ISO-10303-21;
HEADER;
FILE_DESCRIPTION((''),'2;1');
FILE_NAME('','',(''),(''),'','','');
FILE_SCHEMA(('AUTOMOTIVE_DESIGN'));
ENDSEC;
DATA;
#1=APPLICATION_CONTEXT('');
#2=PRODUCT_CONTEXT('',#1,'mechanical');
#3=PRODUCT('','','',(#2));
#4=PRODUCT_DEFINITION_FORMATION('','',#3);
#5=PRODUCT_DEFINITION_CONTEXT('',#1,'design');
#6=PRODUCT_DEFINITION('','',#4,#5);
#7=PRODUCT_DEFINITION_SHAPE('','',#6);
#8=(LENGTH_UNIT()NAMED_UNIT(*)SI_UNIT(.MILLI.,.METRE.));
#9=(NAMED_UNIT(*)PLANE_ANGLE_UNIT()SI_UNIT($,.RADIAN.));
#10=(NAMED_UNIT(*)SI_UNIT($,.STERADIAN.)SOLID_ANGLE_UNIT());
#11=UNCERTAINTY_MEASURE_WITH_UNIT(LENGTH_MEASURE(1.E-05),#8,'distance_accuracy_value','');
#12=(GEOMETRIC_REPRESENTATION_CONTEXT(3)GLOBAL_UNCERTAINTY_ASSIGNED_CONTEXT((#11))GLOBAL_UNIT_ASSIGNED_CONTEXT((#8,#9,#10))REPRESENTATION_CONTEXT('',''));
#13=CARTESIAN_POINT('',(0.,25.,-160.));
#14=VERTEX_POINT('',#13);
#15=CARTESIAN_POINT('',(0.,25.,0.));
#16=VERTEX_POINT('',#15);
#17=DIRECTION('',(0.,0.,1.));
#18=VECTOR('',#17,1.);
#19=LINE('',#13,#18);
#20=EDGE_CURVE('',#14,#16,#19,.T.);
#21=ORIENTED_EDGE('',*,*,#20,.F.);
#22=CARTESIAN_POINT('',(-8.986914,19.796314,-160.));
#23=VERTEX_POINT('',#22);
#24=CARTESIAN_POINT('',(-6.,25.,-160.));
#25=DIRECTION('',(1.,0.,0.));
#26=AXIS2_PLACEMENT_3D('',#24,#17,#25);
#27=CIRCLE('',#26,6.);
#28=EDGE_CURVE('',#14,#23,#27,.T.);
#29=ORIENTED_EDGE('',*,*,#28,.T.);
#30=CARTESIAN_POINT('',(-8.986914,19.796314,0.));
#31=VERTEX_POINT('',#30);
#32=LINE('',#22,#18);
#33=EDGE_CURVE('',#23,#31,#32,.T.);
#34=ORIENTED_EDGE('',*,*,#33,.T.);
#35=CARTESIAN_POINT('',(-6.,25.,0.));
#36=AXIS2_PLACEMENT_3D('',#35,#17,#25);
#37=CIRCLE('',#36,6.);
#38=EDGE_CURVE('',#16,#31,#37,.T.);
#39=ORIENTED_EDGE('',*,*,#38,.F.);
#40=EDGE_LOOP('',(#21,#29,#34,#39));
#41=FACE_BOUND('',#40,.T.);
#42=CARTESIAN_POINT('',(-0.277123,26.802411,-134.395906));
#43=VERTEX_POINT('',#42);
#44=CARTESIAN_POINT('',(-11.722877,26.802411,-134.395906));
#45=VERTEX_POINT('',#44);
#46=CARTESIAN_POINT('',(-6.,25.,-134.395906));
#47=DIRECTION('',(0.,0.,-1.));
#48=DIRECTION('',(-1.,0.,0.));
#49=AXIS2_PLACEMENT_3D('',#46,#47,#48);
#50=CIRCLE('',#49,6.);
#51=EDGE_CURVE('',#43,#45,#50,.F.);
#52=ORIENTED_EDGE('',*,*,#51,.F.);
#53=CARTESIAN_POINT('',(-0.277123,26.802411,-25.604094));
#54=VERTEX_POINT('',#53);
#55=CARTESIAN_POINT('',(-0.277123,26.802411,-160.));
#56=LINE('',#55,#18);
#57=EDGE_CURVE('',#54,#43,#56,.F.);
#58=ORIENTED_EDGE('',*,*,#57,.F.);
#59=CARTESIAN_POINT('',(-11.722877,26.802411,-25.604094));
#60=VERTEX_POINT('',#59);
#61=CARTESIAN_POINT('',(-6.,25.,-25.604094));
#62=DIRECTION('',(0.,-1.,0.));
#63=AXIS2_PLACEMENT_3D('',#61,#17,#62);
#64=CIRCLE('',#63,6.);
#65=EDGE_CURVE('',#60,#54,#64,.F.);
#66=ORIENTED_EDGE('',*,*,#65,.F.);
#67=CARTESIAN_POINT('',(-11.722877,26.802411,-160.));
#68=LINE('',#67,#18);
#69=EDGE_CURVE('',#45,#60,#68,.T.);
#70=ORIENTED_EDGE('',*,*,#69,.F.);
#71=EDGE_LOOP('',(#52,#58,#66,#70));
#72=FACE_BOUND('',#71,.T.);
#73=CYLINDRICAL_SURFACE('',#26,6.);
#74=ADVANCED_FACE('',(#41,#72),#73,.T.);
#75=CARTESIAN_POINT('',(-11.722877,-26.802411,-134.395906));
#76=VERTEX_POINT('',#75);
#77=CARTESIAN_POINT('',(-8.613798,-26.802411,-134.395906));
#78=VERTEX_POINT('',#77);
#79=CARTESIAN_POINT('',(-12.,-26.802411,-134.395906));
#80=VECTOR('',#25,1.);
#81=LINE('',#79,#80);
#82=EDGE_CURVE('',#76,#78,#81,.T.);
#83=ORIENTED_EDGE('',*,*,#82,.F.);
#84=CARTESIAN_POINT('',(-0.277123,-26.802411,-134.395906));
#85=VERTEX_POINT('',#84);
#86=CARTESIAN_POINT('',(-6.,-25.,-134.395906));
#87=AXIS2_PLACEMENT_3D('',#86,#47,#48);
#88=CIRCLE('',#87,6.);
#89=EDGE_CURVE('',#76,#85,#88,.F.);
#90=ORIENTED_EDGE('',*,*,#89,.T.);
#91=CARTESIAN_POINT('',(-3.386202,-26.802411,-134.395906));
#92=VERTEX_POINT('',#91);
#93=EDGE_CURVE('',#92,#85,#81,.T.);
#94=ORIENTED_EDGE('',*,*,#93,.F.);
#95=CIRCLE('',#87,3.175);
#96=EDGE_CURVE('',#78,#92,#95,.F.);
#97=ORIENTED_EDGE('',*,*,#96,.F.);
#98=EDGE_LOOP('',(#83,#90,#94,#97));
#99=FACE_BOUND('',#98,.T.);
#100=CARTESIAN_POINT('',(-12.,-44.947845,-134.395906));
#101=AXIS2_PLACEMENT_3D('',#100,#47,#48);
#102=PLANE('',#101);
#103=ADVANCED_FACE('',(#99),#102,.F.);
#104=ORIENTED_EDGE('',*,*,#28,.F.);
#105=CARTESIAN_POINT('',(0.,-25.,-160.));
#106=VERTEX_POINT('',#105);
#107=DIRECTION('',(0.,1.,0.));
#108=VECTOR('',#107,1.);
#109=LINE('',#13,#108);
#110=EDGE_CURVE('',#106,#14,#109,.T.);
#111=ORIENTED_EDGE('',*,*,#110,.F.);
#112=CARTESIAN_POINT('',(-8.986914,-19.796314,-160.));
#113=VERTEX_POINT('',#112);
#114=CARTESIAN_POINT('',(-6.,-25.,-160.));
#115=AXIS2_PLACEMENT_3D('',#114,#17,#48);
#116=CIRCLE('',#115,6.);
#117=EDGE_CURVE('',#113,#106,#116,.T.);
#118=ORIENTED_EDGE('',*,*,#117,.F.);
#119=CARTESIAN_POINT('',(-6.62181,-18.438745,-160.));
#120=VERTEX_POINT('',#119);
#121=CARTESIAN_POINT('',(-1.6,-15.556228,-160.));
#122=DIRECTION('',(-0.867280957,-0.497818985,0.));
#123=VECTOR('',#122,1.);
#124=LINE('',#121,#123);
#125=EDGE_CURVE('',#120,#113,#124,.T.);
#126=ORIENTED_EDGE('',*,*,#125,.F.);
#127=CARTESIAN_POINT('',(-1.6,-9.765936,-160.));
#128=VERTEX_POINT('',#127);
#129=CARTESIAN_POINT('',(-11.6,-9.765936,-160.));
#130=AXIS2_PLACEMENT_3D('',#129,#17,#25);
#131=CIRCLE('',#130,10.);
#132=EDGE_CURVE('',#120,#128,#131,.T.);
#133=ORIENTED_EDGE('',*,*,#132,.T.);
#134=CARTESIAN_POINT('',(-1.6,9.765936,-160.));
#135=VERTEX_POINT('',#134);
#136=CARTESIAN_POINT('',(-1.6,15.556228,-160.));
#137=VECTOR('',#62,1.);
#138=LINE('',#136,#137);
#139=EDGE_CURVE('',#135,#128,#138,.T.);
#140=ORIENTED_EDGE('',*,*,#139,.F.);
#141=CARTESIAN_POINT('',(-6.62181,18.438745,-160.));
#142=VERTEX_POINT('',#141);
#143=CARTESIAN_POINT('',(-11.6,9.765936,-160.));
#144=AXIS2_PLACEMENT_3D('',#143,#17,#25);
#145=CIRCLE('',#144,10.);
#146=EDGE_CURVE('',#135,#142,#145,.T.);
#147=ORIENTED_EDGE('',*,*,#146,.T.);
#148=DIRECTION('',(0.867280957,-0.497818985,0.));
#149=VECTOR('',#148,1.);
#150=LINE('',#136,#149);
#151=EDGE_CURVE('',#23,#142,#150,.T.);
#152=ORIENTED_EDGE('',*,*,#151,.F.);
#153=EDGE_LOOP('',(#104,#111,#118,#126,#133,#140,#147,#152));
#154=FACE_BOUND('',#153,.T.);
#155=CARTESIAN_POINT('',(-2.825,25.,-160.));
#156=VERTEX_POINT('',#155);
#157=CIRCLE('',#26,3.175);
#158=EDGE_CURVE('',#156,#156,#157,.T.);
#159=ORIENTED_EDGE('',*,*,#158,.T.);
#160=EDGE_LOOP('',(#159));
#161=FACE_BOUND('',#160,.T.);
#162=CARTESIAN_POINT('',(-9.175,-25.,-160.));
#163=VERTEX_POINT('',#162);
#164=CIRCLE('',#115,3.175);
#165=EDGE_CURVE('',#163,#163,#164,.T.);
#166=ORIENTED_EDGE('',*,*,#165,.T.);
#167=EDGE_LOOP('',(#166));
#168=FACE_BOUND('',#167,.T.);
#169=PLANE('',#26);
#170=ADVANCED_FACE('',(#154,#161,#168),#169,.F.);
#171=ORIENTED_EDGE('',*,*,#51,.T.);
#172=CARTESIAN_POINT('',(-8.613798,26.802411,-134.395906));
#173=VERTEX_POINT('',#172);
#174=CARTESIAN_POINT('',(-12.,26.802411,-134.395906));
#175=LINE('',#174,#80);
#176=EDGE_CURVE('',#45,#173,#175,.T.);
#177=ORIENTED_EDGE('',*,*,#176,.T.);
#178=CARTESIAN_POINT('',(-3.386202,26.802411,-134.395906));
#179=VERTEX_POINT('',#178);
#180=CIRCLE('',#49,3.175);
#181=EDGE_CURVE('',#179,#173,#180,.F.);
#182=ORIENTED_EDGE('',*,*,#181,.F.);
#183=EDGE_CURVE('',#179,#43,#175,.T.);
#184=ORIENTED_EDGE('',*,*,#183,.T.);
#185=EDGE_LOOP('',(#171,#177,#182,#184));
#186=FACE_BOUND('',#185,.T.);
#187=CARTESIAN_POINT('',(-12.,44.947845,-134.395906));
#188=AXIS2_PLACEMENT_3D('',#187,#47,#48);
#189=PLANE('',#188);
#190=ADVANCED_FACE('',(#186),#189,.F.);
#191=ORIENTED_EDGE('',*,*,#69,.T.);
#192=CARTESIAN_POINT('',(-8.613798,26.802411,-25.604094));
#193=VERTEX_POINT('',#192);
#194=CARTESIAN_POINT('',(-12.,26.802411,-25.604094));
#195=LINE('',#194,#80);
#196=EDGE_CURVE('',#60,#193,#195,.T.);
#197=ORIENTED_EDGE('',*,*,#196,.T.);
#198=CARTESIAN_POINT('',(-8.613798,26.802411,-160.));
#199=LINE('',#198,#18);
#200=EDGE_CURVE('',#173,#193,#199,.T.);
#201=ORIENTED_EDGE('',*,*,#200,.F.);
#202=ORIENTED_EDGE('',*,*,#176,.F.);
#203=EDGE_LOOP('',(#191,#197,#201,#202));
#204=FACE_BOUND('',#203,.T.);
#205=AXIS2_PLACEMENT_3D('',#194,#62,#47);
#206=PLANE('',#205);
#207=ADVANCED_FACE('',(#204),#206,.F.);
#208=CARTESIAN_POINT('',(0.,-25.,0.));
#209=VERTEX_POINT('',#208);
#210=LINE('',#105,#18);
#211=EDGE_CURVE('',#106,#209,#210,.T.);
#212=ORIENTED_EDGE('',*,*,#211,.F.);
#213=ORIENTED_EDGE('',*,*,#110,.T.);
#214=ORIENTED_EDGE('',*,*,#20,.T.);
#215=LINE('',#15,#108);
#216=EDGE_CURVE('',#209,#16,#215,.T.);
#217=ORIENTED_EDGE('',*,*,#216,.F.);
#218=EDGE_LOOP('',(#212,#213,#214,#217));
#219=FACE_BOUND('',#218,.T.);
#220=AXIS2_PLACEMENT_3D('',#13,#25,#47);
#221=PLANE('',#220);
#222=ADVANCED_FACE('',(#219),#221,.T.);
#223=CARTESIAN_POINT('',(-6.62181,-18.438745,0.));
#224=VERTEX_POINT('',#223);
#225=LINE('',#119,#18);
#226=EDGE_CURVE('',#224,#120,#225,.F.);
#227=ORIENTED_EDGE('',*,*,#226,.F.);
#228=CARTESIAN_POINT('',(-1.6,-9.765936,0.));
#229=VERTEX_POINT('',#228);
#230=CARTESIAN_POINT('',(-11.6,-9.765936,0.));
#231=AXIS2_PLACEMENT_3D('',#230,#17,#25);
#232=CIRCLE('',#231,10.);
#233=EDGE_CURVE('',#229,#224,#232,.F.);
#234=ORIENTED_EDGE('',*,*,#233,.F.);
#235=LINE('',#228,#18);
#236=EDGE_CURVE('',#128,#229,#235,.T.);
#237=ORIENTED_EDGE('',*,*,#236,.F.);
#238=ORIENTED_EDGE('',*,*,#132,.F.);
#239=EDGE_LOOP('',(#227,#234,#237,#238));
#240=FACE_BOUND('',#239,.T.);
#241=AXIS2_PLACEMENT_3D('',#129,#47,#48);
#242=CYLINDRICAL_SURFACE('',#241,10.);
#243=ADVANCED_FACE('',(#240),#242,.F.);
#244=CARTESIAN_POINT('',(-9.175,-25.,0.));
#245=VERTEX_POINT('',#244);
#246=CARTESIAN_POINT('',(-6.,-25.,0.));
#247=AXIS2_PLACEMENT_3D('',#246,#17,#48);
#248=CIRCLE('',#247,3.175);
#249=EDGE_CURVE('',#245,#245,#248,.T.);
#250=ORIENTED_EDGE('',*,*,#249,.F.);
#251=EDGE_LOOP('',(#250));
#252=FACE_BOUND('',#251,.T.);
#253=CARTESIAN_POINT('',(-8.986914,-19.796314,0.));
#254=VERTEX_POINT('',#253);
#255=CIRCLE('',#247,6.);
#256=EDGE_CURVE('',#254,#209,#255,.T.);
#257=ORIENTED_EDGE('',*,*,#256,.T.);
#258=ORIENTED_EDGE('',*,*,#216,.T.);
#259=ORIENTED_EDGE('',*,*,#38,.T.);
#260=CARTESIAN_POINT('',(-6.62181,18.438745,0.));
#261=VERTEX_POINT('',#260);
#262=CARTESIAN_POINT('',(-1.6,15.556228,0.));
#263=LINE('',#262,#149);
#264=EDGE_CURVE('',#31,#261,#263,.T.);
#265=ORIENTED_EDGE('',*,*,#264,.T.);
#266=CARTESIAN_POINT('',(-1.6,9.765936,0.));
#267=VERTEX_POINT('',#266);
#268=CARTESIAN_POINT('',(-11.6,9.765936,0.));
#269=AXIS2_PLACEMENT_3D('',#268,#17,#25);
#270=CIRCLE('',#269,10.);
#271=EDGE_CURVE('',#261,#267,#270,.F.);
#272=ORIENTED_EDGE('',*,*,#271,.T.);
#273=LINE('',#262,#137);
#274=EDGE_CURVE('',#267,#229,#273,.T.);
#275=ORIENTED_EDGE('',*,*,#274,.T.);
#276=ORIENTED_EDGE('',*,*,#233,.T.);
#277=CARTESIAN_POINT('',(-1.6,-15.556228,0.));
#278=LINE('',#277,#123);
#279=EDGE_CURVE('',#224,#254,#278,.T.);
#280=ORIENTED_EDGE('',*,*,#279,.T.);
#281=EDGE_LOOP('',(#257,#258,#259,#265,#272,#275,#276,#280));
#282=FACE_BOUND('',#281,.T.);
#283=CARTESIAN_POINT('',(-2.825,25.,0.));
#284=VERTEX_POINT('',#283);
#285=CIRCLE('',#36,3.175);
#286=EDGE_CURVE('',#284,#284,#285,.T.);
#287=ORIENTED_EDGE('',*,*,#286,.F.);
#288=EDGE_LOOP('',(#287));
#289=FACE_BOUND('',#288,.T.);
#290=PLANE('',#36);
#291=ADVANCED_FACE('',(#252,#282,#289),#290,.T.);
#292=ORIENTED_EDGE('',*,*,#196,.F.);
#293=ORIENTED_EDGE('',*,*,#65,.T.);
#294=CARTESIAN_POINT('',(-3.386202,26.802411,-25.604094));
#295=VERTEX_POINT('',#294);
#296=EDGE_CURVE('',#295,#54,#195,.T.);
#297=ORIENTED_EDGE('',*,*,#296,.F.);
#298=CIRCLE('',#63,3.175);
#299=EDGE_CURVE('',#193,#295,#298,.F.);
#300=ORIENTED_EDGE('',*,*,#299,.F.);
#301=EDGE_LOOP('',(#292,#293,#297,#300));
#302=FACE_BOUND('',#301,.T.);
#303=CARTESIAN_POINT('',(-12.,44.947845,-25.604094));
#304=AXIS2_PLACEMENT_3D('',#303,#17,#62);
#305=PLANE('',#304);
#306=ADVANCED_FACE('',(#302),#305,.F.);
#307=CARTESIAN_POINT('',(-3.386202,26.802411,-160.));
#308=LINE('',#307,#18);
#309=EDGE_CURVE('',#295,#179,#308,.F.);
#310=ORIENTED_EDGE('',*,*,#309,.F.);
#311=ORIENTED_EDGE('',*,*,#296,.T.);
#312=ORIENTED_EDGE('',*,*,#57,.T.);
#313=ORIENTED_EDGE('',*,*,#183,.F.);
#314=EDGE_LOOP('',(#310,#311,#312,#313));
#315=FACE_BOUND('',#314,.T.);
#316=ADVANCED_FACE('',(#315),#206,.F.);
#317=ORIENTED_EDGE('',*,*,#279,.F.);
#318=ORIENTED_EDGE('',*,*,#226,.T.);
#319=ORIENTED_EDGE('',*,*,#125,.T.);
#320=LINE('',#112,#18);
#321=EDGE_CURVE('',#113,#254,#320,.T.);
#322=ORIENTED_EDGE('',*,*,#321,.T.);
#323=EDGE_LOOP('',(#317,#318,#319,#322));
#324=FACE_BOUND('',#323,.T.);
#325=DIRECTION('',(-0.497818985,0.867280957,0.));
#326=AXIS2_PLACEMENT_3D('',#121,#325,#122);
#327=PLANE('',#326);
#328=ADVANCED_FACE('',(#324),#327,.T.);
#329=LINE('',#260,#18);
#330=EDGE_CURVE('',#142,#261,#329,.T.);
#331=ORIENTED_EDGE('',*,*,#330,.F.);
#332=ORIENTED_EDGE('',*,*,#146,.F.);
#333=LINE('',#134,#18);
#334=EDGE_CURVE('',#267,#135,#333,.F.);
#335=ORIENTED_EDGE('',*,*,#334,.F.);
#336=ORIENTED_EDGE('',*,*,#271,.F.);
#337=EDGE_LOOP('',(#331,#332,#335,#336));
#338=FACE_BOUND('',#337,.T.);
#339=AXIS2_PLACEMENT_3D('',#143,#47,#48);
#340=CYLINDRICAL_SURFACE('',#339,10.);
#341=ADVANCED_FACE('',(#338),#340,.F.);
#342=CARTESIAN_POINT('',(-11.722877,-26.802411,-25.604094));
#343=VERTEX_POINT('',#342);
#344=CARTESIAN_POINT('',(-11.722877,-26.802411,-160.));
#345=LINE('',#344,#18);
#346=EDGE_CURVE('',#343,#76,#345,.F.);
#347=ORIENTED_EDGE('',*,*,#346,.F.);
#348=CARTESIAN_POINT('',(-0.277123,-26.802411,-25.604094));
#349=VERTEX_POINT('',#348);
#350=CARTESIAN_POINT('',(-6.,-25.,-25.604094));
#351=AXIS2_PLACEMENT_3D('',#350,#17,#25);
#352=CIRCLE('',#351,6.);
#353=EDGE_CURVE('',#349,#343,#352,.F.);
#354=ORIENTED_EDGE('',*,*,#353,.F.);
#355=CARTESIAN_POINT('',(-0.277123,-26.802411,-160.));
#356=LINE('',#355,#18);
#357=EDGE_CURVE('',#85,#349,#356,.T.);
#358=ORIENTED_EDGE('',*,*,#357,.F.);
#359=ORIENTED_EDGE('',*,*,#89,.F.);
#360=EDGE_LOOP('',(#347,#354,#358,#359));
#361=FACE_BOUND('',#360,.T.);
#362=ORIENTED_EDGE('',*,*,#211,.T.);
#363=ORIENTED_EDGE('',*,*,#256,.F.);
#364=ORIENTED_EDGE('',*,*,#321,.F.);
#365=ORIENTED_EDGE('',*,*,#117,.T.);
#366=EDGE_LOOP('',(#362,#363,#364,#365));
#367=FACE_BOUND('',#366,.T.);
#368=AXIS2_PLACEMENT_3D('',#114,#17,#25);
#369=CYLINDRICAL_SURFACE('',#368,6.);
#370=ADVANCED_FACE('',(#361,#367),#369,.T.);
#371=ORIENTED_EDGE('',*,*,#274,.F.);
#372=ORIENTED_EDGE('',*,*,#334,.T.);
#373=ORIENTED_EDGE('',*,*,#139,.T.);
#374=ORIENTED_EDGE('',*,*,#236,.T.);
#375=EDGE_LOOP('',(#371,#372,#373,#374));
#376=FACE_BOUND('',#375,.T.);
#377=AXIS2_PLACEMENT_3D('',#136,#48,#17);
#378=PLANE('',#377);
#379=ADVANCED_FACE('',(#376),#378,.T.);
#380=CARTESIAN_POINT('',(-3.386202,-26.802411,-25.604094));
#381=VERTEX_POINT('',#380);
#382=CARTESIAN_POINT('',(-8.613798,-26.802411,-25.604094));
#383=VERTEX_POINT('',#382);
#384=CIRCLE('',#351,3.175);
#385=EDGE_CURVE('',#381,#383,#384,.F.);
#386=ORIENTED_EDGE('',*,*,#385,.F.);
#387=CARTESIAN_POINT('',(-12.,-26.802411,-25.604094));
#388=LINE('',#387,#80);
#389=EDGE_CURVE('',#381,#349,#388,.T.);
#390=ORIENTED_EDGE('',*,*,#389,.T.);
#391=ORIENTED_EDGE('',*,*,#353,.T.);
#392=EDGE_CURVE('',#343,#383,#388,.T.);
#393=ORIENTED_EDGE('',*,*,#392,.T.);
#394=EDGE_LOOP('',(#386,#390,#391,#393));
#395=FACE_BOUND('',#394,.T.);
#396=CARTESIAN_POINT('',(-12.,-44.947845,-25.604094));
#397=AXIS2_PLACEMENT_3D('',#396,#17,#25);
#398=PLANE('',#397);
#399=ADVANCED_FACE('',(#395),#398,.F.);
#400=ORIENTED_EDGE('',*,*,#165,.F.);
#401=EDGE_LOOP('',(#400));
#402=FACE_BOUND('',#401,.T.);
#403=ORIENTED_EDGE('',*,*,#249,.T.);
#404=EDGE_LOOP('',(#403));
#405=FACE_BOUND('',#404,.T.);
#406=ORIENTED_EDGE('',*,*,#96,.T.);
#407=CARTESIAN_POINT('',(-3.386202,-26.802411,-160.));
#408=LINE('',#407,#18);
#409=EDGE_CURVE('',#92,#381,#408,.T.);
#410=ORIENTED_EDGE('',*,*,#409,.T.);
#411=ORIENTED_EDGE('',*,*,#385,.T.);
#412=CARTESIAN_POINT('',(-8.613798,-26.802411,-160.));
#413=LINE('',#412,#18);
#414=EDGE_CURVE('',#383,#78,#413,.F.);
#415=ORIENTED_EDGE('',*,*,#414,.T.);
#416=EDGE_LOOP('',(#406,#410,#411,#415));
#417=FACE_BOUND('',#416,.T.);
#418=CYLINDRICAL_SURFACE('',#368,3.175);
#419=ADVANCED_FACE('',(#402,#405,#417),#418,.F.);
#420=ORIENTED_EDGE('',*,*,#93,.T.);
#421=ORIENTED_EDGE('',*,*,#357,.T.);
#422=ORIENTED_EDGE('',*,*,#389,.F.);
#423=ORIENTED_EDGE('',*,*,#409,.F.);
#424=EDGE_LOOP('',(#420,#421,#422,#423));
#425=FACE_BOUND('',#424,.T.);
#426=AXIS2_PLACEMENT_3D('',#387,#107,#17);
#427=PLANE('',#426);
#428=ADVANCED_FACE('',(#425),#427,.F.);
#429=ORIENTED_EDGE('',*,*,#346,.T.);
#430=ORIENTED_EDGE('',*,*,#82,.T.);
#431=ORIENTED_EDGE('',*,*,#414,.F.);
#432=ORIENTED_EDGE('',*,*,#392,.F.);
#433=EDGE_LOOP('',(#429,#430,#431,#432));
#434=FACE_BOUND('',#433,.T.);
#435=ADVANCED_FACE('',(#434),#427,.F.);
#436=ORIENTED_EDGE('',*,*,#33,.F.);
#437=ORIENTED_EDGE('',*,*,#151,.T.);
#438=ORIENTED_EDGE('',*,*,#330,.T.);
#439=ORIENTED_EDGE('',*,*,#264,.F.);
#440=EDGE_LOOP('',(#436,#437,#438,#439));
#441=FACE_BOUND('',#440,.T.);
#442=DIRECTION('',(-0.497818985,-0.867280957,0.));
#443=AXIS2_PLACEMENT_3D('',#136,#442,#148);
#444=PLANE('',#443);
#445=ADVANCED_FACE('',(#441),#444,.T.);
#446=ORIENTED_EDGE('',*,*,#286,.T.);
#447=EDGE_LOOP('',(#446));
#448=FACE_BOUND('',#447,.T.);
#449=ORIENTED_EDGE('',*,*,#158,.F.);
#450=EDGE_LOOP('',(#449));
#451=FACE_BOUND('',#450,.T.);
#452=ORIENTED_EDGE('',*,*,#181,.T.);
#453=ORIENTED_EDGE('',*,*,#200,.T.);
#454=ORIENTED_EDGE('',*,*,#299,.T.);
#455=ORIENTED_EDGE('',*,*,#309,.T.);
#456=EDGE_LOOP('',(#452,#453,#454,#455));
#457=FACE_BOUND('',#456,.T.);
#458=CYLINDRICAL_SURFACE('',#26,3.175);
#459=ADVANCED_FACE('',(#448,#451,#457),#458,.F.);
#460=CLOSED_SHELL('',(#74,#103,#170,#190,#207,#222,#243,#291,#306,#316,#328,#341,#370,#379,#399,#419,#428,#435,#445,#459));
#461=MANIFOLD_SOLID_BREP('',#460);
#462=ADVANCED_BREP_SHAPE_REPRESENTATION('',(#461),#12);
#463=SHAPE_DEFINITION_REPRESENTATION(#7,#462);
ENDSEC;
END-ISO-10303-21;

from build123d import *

# Parameters (mm, degrees)
CROQUIS1_R              = 3.175
SALIENTE_EXTRUIR1_DEPTH = 160
REDONDEO1_R             = 10
CROQUIS3_W              = 108.791812306
CROQUIS3_H              = 18.145434914
CORTAR_EXTRUIR2_DEPTH   = 13


with BuildPart() as part:
    # Croquis1 → Saliente-Extruir1 (new body)
    with BuildSketch(Plane.XY):
        with BuildLine():
            Line((-1.6, 15.556228096), (-8.98691391, 19.796314259))
            ThreePointArc((-8.98691391, 19.796314259), (-9.006535925, 30.19237342), (0, 25))
            Line((0, 25), (0, -25))
            ThreePointArc((0, -25), (-9.006535925, -30.19237342), (-8.98691391, -19.796314259))
            Line((-8.98691391, -19.796314259), (-1.6, -15.556228096))
            Line((-1.6, -15.556228096), (-1.6, 15.556228096))
        make_face()
        with Locations((-6, 25)):
            Circle(CROQUIS1_R, mode=Mode.SUBTRACT)
        with Locations((-6, -25)):
            Circle(CROQUIS1_R, mode=Mode.SUBTRACT)
    extrude(amount=-SALIENTE_EXTRUIR1_DEPTH)

    # Redondeo1
    redondeo1_edges = [part.edges().sort_by_distance(p)[0] for p in [
        (-1.6, -15.556228096, -80),
        (-1.6, 15.556228096, -80),
    ]]
    fillet(redondeo1_edges, radius=REDONDEO1_R)

    # Croquis3 → Cortar-Extruir2 (cut, through all)
    with BuildSketch(Plane(origin=(0, 0, 0), x_dir=(0, 0, -1), z_dir=(1, 0, 0))):
        with Locations((80, 35.875128035)):
            Rectangle(CROQUIS3_W, CROQUIS3_H)
        with Locations((80, -35.875128035)):
            Rectangle(CROQUIS3_W, CROQUIS3_H)
    extrude(amount=-CORTAR_EXTRUIR2_DEPTH, mode=Mode.SUBTRACT)


solid = part.part
